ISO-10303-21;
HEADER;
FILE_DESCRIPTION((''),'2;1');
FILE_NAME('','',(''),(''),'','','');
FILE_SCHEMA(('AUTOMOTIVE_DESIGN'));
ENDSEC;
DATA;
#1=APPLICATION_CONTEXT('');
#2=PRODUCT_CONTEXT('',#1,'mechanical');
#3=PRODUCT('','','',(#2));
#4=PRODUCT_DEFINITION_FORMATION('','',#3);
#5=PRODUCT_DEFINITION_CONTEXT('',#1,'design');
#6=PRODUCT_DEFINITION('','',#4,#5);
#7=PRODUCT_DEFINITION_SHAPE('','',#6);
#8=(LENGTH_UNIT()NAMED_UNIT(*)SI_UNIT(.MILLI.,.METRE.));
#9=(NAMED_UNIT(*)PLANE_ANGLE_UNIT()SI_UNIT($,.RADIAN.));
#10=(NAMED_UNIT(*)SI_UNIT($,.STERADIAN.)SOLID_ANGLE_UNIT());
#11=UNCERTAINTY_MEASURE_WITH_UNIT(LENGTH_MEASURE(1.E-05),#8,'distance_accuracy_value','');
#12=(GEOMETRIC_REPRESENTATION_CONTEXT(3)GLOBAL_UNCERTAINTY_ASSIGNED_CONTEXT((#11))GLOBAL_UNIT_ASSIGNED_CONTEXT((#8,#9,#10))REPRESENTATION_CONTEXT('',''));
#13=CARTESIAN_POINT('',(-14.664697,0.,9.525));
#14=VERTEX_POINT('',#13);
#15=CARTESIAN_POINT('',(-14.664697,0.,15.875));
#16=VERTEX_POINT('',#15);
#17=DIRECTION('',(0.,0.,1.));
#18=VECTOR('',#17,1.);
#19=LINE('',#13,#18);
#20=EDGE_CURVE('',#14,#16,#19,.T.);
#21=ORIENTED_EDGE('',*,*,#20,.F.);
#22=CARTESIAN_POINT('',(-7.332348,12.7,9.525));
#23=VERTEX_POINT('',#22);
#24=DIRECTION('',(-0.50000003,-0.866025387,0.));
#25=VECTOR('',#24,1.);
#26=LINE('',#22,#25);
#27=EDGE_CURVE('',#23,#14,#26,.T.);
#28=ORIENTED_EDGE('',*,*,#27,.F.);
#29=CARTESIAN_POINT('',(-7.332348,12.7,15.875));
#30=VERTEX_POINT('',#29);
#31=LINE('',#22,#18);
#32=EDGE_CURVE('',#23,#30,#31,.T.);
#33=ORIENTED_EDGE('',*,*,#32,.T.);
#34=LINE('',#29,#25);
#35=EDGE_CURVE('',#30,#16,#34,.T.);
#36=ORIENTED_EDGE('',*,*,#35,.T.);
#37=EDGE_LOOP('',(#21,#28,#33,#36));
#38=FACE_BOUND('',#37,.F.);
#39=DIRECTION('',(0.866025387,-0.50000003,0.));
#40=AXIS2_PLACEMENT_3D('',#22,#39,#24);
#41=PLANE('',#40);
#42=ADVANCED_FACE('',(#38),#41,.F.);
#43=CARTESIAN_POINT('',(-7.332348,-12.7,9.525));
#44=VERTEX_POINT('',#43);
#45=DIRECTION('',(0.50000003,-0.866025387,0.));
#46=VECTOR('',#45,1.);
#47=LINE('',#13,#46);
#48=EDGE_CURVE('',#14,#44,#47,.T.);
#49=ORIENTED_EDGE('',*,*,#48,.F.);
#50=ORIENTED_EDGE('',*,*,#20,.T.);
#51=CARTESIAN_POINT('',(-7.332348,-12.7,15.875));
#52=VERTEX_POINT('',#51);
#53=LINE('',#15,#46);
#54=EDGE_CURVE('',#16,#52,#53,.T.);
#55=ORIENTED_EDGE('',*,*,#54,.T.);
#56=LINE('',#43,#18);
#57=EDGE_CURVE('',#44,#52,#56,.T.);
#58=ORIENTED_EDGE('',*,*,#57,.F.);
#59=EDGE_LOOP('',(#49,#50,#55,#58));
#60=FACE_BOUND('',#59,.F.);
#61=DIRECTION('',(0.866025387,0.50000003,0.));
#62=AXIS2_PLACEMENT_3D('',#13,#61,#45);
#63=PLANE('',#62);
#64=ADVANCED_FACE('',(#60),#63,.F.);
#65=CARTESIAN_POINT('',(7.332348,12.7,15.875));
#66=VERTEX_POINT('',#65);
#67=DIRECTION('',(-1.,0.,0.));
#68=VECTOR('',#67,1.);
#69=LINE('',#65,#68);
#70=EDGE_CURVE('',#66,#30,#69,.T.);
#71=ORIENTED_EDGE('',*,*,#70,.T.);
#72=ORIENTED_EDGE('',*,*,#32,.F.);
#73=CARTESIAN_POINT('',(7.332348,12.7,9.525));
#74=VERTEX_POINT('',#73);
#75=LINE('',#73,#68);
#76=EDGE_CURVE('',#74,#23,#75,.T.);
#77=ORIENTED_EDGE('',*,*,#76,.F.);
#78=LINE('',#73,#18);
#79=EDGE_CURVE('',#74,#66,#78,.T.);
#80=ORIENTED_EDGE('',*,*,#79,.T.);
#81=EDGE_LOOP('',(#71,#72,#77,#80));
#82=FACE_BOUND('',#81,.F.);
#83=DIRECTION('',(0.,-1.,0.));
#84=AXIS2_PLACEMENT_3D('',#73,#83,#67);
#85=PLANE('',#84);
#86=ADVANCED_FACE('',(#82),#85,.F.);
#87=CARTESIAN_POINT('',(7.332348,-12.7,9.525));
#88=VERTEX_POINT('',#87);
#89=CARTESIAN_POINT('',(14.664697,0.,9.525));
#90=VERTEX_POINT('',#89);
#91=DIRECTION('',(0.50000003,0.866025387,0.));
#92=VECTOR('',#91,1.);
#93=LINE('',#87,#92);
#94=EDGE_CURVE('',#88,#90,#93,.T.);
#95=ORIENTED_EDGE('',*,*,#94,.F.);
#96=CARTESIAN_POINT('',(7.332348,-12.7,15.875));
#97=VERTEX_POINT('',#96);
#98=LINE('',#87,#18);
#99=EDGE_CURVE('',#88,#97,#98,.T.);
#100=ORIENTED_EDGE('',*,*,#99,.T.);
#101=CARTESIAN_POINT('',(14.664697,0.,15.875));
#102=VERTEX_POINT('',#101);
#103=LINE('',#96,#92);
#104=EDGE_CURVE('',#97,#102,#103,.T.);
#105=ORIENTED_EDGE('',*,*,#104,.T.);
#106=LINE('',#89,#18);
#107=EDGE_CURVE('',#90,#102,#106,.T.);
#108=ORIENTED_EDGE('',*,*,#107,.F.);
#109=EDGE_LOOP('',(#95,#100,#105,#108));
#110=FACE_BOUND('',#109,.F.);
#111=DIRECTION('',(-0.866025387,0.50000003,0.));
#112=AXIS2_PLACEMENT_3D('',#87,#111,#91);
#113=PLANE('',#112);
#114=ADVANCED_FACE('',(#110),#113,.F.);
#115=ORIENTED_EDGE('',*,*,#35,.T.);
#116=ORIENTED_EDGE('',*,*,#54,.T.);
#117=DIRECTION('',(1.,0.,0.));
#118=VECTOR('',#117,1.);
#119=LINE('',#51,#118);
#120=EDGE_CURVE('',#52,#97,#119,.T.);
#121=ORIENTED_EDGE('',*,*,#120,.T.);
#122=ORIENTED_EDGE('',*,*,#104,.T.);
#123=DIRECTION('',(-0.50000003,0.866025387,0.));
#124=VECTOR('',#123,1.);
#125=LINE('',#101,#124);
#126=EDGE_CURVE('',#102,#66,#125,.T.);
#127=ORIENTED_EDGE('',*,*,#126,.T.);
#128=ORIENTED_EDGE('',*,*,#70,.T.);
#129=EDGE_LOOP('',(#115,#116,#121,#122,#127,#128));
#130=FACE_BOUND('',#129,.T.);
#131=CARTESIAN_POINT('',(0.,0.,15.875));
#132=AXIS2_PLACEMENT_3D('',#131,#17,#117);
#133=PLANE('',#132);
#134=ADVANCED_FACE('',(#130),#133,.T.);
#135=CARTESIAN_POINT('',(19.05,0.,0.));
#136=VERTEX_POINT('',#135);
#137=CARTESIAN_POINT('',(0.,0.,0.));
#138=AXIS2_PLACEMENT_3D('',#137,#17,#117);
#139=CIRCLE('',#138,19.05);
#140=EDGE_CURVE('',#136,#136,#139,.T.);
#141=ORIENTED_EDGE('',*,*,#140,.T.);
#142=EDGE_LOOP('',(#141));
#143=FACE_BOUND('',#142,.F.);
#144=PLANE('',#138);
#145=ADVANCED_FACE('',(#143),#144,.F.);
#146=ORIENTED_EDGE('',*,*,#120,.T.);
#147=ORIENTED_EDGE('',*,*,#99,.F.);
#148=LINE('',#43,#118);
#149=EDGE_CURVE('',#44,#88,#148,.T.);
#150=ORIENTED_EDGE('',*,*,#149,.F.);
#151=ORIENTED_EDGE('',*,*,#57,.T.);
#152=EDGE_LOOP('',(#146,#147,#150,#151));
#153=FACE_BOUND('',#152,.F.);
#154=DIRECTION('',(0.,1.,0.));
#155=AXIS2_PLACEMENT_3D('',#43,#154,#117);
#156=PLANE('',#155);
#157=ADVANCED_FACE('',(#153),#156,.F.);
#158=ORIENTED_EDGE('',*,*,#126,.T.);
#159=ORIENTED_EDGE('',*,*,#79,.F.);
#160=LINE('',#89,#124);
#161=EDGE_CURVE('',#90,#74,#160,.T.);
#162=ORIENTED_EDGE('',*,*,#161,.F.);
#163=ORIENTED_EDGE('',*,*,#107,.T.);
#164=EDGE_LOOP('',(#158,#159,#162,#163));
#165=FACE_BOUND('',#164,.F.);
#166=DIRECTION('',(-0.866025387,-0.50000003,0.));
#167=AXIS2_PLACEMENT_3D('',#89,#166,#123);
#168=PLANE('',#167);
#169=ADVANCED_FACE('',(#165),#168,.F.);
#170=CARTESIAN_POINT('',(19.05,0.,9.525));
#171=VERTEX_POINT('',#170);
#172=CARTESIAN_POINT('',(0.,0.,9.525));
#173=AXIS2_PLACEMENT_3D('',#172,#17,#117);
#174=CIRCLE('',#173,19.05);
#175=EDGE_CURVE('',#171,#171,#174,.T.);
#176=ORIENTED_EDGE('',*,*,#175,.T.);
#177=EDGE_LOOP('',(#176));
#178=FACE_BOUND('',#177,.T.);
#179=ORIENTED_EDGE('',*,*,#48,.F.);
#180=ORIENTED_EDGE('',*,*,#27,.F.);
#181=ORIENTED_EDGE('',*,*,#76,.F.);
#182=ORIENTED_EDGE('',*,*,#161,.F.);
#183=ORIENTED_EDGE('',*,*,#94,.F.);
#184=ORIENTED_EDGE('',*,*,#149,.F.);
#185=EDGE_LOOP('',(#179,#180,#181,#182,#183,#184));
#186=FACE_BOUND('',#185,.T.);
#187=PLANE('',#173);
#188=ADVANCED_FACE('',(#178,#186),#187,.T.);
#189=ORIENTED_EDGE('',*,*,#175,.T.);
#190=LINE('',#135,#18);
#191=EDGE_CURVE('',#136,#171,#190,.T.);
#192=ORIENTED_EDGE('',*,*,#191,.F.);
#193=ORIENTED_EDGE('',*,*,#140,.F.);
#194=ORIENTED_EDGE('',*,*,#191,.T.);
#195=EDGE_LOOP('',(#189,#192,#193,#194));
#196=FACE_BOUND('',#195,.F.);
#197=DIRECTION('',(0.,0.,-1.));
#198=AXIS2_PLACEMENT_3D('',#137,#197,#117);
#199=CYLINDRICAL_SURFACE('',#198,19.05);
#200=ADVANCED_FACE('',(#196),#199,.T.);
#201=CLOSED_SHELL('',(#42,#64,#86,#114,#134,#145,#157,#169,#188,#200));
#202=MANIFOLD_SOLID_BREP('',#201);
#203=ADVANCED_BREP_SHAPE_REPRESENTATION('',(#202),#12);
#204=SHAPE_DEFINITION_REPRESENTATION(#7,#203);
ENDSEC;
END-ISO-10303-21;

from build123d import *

# Parameters (mm, degrees)
F0_R     = 19.05
F1_DEPTH = 9.525
F3_DEPTH = 6.35


with BuildPart() as f1:
    # F0 (on Top) → F1 (new body)
    with BuildSketch(Plane.XY):
        Circle(F0_R)
    extrude(amount=F1_DEPTH)

    # F2 (on face) → F3 (join)
    with BuildSketch(Plane.XY.offset(9.525)):
        Polygon((-7.332348, -12.7), (7.332348, -12.7), (14.664697, 0), (7.332348, 12.7), (-7.332348, 12.7), (-14.664697, 0), align=None)
    extrude(amount=F3_DEPTH)


solid = f1.part
